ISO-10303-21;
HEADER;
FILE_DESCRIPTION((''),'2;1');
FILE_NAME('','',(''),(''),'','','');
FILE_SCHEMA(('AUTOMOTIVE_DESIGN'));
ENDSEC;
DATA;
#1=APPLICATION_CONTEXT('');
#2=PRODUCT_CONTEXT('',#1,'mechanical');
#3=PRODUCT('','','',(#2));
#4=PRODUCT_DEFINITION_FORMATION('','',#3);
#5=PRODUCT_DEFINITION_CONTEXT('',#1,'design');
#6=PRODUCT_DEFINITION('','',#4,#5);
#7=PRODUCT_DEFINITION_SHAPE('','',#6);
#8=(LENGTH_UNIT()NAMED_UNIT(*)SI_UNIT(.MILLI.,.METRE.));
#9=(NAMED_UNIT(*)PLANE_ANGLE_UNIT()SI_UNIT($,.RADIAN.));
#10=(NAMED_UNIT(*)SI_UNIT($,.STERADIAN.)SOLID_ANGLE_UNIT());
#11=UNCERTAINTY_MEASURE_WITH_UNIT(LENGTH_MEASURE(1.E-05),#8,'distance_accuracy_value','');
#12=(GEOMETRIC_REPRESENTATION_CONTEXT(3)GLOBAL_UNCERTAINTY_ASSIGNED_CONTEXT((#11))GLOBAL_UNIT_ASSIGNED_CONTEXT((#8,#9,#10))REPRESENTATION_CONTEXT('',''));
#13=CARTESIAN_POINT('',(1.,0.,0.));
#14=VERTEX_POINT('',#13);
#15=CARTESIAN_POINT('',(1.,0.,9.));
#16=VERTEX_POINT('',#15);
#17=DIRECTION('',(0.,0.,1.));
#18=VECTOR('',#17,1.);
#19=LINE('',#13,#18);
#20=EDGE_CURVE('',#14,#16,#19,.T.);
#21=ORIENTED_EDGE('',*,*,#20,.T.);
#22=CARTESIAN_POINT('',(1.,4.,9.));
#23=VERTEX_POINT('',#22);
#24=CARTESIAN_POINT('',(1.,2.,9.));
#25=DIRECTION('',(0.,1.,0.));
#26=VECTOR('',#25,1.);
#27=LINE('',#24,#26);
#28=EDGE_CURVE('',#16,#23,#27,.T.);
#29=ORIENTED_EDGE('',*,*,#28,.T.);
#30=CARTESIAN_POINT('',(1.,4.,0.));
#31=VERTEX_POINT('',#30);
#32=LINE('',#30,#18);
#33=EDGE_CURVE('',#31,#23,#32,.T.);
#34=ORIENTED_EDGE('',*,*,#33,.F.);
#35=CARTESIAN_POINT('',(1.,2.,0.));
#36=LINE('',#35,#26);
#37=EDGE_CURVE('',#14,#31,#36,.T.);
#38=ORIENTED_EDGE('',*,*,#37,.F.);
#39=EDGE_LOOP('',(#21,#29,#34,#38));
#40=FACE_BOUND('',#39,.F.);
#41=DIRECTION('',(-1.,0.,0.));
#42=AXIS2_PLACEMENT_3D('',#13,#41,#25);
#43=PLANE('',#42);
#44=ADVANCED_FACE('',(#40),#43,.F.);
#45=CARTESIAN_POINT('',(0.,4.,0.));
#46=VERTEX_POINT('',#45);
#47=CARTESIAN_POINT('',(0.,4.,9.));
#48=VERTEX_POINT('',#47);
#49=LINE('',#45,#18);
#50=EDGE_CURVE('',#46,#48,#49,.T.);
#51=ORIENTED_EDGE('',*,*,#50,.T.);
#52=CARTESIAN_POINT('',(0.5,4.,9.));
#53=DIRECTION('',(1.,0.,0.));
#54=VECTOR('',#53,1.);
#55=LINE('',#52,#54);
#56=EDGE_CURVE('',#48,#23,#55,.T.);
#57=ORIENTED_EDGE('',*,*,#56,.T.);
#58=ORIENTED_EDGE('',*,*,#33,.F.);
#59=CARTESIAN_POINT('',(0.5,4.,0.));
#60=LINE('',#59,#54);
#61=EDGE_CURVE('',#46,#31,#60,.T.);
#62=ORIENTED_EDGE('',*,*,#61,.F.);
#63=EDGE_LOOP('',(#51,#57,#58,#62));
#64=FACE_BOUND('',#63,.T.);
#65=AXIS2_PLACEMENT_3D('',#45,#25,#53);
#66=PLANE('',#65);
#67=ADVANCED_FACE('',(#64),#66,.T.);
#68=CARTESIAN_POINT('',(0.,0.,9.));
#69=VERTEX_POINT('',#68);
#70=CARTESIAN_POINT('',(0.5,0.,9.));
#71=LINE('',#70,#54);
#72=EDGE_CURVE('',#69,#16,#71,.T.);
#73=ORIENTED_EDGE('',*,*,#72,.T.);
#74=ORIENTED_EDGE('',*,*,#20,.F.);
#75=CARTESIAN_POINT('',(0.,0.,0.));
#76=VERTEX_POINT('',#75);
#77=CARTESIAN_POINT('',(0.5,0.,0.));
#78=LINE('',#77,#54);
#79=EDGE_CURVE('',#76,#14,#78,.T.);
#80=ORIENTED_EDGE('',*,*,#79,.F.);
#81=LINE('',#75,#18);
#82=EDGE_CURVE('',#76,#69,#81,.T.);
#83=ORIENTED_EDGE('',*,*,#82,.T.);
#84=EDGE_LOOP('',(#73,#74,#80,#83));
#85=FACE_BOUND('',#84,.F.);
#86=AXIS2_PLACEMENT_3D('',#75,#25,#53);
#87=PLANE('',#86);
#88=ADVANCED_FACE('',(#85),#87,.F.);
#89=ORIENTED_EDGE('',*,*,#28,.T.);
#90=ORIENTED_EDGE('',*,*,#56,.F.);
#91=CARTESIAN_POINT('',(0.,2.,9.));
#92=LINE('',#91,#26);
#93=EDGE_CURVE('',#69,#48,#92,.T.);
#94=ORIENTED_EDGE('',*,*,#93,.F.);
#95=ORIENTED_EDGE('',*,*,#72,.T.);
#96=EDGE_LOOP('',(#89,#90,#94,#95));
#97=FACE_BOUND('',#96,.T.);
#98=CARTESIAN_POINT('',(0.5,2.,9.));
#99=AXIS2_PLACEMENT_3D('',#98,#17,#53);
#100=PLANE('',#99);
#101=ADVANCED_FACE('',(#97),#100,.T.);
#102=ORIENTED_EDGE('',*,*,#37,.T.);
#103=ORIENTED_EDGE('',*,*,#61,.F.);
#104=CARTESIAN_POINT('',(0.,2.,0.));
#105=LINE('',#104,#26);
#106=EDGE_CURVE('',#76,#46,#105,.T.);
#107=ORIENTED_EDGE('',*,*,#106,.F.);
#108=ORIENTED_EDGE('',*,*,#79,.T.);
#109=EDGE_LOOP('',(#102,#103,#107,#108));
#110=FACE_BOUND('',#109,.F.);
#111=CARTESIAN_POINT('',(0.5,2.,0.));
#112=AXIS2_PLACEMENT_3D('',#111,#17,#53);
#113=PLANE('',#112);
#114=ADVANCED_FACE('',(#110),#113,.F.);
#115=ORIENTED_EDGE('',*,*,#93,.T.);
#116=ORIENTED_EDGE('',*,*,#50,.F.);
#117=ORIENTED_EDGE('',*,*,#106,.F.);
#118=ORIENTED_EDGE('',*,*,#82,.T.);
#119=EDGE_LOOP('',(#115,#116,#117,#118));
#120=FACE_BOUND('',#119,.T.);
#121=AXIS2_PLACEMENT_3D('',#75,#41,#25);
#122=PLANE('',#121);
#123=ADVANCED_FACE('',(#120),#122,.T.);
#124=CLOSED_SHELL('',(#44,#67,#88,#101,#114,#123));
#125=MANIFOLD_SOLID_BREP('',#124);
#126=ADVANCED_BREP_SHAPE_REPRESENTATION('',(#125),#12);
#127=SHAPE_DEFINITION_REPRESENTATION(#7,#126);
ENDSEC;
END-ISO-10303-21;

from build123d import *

# Parameters (mm, degrees)
BOX_W     = 1
BOX_H     = 4
BOX_DEPTH = 9


with BuildPart() as part:
    # Box → Box (new body)
    with BuildSketch(Plane.XY):
        with Locations((0.5, 2)):
            Rectangle(BOX_W, BOX_H)
    extrude(amount=BOX_DEPTH)


solid = part.part
